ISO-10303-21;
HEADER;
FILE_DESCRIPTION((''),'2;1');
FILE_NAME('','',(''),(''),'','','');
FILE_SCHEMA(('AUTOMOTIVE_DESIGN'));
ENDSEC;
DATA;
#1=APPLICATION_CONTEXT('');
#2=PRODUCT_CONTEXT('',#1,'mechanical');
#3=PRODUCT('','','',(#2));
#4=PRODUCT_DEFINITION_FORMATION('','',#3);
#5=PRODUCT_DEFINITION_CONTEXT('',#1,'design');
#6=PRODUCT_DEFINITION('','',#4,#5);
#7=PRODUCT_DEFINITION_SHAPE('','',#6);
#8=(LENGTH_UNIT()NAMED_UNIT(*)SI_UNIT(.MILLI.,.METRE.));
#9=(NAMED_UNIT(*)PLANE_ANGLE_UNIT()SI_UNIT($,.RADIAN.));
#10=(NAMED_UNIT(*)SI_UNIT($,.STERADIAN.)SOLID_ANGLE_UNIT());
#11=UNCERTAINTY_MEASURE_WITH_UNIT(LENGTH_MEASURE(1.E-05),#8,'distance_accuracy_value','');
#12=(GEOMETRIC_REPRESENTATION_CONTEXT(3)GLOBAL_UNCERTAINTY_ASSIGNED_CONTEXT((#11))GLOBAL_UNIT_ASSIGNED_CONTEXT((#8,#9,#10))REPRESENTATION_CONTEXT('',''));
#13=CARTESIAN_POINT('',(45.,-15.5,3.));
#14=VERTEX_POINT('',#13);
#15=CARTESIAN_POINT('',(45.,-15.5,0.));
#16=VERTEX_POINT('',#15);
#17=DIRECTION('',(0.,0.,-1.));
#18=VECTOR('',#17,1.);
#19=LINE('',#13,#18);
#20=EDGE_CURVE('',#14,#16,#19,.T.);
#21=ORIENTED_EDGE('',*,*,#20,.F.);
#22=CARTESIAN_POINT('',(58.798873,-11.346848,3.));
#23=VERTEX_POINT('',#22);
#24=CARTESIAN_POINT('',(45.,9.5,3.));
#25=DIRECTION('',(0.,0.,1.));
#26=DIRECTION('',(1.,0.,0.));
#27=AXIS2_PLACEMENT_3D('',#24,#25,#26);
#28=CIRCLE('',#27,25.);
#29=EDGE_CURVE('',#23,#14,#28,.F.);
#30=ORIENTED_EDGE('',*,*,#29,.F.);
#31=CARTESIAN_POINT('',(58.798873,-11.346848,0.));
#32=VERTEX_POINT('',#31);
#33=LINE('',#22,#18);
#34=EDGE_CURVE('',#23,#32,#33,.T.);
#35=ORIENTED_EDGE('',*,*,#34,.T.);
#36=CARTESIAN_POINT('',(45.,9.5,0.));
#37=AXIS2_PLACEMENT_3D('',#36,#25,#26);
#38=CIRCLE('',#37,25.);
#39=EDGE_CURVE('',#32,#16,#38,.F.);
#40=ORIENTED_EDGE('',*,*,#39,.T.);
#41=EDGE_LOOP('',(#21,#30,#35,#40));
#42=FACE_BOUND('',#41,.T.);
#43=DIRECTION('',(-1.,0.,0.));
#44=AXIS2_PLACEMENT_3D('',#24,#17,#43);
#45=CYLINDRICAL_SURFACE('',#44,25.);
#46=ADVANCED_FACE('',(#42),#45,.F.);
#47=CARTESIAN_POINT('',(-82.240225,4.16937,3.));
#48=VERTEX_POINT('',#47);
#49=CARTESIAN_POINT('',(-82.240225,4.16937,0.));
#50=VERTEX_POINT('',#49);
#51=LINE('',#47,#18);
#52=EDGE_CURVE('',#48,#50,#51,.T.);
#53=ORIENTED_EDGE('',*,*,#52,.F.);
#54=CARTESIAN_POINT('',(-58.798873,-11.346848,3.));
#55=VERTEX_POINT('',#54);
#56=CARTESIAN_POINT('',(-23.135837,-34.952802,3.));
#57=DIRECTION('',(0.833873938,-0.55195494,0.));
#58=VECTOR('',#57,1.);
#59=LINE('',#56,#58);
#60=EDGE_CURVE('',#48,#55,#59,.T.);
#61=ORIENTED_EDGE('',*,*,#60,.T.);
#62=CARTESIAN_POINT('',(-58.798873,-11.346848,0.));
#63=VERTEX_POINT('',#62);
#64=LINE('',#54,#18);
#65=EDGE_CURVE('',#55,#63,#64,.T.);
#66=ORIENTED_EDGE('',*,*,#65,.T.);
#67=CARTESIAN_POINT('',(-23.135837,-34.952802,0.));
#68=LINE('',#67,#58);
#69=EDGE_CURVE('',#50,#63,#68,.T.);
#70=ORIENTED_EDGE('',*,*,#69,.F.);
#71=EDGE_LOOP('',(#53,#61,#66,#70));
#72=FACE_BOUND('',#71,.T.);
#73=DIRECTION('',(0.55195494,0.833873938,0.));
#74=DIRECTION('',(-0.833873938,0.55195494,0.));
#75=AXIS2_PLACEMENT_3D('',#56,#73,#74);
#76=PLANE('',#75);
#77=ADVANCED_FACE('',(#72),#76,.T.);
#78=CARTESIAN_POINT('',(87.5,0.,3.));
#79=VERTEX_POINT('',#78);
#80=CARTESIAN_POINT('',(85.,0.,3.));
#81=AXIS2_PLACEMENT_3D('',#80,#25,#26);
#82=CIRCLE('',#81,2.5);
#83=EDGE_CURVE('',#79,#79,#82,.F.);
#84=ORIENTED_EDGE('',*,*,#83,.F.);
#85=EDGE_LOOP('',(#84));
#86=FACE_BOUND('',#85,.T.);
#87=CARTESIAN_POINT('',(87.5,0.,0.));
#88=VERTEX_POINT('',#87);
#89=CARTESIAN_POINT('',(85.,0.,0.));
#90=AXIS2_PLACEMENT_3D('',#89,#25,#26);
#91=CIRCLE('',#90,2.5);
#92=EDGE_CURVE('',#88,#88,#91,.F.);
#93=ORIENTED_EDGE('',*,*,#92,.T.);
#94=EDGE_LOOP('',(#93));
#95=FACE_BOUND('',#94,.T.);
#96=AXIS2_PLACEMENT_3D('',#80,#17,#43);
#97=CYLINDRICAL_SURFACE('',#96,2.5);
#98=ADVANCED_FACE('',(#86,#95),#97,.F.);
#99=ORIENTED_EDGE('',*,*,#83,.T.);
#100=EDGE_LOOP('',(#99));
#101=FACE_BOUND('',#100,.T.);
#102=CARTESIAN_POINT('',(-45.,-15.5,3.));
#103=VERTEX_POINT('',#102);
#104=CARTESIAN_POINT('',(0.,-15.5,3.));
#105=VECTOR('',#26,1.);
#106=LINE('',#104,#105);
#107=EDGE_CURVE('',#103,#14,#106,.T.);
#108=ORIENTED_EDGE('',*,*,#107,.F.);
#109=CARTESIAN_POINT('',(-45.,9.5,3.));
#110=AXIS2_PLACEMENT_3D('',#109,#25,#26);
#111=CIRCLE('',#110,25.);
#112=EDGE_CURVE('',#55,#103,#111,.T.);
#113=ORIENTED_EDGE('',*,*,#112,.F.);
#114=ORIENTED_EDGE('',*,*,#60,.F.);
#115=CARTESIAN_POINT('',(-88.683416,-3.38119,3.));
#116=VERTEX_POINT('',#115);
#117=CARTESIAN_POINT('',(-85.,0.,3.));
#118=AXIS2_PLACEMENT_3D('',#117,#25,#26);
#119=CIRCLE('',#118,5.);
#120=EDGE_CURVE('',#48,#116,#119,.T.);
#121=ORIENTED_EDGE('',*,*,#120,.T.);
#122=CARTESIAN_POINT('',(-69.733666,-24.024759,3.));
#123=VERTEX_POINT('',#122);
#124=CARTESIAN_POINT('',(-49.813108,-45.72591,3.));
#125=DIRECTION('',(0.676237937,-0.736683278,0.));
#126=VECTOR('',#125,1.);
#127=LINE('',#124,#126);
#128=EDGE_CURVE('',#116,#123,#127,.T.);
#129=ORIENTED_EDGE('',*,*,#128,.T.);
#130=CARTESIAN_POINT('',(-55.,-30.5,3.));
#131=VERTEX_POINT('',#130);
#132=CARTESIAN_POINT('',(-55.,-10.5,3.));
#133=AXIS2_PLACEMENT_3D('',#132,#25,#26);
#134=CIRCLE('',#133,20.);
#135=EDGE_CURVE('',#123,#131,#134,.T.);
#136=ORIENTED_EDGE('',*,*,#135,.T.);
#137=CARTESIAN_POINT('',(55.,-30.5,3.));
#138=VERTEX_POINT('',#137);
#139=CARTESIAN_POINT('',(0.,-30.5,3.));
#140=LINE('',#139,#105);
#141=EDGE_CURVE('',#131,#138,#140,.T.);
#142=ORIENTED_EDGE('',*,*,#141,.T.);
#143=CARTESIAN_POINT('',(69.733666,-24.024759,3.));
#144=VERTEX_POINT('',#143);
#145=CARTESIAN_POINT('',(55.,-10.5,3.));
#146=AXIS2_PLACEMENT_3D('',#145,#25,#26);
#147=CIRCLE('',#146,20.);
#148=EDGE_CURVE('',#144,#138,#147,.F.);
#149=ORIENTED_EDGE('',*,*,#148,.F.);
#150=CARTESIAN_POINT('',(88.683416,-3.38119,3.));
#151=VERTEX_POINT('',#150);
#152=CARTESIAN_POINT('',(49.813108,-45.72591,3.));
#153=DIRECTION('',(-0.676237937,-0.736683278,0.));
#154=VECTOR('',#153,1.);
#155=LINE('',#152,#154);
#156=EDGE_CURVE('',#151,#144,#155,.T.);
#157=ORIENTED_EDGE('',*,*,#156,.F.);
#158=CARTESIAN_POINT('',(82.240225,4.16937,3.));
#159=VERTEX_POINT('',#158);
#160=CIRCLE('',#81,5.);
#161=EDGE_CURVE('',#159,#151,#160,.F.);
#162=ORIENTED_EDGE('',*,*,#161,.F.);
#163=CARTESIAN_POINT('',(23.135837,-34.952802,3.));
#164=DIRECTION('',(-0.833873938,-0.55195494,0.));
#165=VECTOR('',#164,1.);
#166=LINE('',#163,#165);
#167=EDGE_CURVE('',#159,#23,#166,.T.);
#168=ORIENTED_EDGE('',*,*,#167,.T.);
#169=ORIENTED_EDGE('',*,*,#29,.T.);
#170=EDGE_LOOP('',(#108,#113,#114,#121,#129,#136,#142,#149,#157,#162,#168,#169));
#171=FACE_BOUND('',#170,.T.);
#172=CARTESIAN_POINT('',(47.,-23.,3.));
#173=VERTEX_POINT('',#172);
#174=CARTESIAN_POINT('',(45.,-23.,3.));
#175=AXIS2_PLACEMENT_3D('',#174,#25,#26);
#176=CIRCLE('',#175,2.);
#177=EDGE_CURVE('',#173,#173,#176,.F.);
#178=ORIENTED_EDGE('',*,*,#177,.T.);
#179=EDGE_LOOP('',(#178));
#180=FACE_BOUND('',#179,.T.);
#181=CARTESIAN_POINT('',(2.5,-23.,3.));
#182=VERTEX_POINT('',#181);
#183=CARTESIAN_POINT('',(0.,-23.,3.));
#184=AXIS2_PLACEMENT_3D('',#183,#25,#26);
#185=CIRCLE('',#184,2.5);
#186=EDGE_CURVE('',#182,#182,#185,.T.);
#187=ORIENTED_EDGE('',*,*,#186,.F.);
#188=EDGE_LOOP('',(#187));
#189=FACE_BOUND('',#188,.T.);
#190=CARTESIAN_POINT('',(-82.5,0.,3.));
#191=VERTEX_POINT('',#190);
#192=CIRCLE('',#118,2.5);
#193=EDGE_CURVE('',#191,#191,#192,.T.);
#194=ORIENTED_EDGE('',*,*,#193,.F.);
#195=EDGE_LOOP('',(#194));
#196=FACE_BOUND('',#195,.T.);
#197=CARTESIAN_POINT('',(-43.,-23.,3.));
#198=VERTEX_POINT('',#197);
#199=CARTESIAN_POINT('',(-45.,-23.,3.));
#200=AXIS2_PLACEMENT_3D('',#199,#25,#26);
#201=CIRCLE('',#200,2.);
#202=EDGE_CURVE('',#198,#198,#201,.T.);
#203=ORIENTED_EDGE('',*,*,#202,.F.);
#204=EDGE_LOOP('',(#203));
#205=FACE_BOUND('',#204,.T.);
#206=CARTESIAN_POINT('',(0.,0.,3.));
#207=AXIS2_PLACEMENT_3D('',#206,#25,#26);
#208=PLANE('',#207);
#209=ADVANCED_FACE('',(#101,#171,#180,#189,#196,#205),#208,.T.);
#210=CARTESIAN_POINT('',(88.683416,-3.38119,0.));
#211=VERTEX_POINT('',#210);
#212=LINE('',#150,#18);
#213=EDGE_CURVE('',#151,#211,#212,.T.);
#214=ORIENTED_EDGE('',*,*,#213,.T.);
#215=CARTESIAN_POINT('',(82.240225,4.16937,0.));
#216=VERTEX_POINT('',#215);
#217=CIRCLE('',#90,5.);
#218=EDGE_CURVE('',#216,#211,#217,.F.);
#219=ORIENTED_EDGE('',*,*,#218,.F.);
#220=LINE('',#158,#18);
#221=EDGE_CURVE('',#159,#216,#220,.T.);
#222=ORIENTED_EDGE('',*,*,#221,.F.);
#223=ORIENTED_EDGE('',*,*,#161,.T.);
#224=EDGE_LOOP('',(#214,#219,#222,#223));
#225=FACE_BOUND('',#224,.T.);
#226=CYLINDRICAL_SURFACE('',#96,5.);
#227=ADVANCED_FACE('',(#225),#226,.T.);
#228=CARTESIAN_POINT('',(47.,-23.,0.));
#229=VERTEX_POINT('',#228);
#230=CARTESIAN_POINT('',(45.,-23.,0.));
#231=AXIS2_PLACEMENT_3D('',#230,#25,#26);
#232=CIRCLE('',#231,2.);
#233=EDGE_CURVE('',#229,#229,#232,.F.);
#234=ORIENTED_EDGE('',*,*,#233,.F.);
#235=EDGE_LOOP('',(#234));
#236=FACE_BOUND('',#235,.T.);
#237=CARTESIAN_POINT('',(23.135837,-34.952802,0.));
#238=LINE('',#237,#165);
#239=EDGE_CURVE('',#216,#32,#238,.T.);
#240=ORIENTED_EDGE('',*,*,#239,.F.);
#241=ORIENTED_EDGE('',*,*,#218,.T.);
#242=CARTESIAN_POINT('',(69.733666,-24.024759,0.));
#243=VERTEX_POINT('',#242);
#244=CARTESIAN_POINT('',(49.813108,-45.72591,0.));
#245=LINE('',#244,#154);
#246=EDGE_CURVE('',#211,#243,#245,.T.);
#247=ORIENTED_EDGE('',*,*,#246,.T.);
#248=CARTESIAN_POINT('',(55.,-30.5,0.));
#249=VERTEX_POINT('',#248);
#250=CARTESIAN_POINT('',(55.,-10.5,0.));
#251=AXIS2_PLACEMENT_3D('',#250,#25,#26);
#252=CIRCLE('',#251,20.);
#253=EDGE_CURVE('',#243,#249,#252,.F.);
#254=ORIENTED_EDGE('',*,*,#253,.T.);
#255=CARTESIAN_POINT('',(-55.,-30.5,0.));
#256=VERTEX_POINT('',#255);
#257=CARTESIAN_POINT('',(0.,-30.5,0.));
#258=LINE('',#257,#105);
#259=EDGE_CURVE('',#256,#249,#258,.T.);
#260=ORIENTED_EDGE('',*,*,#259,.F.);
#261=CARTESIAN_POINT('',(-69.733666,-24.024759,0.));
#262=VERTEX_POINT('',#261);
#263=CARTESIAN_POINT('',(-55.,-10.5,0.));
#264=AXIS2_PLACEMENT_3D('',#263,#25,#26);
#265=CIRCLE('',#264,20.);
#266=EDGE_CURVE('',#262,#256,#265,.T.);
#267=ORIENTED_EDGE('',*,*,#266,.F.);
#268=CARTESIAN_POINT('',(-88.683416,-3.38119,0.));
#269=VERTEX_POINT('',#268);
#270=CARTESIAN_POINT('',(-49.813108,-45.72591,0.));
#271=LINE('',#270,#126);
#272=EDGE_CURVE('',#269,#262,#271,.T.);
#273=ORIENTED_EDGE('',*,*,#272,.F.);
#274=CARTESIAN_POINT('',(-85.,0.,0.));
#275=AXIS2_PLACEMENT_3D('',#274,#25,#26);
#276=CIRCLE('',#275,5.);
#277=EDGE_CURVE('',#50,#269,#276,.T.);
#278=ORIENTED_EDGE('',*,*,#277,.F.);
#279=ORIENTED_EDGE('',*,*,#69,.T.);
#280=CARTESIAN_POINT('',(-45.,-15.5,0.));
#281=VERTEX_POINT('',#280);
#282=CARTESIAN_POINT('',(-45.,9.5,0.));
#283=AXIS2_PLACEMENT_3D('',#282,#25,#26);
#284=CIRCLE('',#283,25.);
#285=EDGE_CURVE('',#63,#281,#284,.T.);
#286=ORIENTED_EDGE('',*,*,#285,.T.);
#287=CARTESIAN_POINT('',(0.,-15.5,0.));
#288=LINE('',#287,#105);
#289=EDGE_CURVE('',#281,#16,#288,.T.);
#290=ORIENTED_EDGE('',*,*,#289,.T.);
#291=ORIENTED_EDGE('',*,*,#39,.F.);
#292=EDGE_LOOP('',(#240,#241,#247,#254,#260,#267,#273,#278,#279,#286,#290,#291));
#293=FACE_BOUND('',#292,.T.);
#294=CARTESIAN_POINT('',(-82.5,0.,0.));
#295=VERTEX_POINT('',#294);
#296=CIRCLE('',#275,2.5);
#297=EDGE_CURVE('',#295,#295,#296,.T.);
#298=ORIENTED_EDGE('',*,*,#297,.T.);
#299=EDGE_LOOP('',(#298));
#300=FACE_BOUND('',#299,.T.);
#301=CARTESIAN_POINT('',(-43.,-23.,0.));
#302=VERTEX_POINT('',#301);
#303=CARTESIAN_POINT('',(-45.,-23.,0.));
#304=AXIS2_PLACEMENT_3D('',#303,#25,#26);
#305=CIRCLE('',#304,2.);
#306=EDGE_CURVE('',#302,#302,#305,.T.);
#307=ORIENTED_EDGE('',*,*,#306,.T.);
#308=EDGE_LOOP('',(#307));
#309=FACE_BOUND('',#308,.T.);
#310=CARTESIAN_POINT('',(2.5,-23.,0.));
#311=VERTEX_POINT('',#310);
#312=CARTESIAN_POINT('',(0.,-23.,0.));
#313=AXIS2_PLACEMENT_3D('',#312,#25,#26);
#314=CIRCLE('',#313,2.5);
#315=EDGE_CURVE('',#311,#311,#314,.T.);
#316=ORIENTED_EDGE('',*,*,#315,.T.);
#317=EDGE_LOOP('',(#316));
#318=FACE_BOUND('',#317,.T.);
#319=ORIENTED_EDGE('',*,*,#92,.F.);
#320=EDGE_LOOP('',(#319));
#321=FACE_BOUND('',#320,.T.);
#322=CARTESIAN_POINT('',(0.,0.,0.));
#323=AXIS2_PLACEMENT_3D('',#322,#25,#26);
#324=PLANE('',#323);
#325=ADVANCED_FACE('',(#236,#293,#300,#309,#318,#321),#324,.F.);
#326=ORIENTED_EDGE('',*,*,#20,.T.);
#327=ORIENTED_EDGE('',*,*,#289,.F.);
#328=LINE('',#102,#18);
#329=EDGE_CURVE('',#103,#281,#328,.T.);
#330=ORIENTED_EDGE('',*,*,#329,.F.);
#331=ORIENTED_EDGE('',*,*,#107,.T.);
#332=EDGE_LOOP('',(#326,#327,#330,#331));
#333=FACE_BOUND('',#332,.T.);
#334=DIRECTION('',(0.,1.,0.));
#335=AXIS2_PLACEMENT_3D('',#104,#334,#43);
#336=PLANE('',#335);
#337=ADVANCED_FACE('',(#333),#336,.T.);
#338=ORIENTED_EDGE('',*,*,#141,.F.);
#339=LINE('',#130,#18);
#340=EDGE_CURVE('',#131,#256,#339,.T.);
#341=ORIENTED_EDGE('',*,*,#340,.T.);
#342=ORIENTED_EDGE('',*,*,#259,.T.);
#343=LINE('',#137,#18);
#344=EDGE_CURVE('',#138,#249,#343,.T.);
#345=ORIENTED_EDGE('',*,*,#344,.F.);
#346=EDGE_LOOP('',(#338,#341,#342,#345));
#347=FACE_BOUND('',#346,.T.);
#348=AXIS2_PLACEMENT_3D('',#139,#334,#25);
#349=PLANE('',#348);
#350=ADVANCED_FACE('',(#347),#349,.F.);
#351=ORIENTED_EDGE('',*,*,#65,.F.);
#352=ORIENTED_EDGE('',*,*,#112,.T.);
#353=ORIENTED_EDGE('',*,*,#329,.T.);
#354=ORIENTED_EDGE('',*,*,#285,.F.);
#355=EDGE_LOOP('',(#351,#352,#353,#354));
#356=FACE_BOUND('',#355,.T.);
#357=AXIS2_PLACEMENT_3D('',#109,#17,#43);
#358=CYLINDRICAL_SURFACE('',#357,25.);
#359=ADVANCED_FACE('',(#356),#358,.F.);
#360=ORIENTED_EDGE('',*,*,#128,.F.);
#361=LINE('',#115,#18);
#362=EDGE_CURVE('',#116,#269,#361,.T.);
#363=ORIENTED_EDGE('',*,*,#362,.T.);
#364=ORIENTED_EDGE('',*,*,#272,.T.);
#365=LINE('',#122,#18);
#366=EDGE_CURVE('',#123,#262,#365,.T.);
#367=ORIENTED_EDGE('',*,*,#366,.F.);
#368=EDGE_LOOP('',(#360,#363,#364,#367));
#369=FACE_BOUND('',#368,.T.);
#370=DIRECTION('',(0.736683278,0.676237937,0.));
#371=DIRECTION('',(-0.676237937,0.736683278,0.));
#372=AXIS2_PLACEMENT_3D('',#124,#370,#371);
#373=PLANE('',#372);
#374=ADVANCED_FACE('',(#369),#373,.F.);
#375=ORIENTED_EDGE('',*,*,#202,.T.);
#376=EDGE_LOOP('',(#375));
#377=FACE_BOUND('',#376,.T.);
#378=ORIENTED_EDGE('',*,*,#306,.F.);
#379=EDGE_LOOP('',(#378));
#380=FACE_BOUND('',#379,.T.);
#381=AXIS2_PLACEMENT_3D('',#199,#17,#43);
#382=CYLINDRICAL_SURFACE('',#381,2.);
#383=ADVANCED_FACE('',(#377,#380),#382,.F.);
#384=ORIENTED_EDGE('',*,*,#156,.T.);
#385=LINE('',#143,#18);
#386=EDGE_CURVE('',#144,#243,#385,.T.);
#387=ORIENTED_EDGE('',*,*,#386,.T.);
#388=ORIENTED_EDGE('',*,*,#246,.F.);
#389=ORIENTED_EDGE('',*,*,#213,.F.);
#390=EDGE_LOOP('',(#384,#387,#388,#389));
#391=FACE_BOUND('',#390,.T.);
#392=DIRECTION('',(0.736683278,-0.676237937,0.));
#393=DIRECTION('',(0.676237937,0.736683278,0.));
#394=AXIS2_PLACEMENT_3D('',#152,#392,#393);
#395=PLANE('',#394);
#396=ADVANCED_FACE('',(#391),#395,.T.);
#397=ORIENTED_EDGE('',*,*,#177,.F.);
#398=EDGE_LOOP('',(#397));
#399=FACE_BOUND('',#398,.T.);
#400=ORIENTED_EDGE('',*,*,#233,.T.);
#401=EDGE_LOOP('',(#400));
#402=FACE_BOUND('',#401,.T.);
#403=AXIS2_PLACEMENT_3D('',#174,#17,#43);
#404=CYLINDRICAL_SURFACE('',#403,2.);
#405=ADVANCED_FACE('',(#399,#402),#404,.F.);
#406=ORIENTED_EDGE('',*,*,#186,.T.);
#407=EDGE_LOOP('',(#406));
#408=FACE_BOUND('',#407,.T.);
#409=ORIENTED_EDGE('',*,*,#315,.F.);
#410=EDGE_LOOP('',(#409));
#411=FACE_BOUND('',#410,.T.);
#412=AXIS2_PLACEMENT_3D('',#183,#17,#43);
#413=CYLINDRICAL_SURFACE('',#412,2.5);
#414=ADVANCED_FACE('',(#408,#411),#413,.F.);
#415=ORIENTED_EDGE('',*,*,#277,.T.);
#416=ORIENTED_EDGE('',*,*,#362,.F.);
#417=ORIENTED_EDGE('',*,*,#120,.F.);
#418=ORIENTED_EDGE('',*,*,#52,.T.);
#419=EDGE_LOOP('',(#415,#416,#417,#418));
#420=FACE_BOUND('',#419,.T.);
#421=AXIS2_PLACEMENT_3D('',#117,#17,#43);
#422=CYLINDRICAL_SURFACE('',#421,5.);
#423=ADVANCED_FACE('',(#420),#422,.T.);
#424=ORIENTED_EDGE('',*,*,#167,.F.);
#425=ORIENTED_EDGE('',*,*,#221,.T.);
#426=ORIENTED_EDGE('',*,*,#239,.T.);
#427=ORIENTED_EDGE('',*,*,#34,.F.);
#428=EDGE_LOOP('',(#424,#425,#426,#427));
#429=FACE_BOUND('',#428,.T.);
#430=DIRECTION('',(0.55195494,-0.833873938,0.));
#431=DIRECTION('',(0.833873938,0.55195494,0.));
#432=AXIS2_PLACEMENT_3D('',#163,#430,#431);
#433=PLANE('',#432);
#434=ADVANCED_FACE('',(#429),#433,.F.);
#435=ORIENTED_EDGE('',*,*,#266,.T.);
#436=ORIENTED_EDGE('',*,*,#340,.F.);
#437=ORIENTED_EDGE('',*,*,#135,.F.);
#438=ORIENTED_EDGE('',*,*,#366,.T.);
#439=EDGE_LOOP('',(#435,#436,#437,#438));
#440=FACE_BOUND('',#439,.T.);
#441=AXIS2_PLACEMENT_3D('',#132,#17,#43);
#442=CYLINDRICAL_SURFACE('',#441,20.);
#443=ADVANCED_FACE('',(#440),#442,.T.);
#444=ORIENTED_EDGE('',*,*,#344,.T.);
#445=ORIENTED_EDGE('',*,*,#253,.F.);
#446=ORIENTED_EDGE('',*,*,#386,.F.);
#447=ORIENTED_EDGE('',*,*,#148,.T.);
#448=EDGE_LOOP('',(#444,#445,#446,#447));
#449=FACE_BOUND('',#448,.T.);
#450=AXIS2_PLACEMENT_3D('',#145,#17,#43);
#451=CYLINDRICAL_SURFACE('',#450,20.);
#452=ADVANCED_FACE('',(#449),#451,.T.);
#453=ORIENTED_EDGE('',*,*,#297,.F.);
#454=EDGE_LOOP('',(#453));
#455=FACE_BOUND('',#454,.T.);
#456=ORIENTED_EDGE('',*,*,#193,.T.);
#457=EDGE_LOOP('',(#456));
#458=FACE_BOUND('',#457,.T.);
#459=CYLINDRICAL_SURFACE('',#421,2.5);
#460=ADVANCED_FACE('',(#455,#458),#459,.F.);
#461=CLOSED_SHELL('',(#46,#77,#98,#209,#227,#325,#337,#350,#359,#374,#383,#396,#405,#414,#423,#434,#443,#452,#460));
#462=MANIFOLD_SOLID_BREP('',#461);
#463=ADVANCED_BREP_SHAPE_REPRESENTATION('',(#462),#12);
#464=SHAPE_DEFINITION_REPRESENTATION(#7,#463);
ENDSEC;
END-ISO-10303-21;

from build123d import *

# Parameters (mm, degrees)
SKETCH_1_R      = 2.5
SKETCH_1_R_2    = 2
EXTRUDE_1_DEPTH = 3


with BuildPart() as part:
    # 草图1 → 凸台-拉伸1 (new body)
    with BuildSketch(Plane.XY):
        with BuildLine():
            Line((-55, -30.5), (0, -30.5))
            Line((0, -30.5), (55, -30.5))
            ThreePointArc((55, -30.5), (63.046888376, -28.809767542), (69.733665561, -24.024758746))
            Line((69.733665561, -24.024758746), (88.68341639, -3.381189686))
            ThreePointArc((88.68341639, -3.381189686), (88.803421515, 3.245610078), (82.240225301, 4.16936969))
            Line((82.240225301, 4.16936969), (58.798873493, -11.346848451))
            ThreePointArc((58.798873493, -11.346848451), (52.205164423, -14.439206454), (45, -15.5))
            Line((45, -15.5), (0, -15.5))
            Line((0, -15.5), (-45, -15.5))
            ThreePointArc((-45, -15.5), (-52.205164423, -14.439206454), (-58.798873493, -11.346848451))
            Line((-58.798873493, -11.346848451), (-82.240225301, 4.16936969))
            ThreePointArc((-82.240225301, 4.16936969), (-88.803421515, 3.245610078), (-88.68341639, -3.381189686))
            Line((-88.68341639, -3.381189686), (-69.733665561, -24.024758746))
            ThreePointArc((-69.733665561, -24.024758746), (-63.046888376, -28.809767542), (-55, -30.5))
        make_face()
        with Locations((85, 0)):
            Circle(SKETCH_1_R, mode=Mode.SUBTRACT)
        with Locations((-85, 0)):
            Circle(SKETCH_1_R, mode=Mode.SUBTRACT)
        with Locations((0, -23)):
            Circle(SKETCH_1_R, mode=Mode.SUBTRACT)
        with Locations((-45, -23)):
            Circle(SKETCH_1_R_2, mode=Mode.SUBTRACT)
        with Locations((45, -23)):
            Circle(SKETCH_1_R_2, mode=Mode.SUBTRACT)
    extrude(amount=EXTRUDE_1_DEPTH)


solid = part.part
